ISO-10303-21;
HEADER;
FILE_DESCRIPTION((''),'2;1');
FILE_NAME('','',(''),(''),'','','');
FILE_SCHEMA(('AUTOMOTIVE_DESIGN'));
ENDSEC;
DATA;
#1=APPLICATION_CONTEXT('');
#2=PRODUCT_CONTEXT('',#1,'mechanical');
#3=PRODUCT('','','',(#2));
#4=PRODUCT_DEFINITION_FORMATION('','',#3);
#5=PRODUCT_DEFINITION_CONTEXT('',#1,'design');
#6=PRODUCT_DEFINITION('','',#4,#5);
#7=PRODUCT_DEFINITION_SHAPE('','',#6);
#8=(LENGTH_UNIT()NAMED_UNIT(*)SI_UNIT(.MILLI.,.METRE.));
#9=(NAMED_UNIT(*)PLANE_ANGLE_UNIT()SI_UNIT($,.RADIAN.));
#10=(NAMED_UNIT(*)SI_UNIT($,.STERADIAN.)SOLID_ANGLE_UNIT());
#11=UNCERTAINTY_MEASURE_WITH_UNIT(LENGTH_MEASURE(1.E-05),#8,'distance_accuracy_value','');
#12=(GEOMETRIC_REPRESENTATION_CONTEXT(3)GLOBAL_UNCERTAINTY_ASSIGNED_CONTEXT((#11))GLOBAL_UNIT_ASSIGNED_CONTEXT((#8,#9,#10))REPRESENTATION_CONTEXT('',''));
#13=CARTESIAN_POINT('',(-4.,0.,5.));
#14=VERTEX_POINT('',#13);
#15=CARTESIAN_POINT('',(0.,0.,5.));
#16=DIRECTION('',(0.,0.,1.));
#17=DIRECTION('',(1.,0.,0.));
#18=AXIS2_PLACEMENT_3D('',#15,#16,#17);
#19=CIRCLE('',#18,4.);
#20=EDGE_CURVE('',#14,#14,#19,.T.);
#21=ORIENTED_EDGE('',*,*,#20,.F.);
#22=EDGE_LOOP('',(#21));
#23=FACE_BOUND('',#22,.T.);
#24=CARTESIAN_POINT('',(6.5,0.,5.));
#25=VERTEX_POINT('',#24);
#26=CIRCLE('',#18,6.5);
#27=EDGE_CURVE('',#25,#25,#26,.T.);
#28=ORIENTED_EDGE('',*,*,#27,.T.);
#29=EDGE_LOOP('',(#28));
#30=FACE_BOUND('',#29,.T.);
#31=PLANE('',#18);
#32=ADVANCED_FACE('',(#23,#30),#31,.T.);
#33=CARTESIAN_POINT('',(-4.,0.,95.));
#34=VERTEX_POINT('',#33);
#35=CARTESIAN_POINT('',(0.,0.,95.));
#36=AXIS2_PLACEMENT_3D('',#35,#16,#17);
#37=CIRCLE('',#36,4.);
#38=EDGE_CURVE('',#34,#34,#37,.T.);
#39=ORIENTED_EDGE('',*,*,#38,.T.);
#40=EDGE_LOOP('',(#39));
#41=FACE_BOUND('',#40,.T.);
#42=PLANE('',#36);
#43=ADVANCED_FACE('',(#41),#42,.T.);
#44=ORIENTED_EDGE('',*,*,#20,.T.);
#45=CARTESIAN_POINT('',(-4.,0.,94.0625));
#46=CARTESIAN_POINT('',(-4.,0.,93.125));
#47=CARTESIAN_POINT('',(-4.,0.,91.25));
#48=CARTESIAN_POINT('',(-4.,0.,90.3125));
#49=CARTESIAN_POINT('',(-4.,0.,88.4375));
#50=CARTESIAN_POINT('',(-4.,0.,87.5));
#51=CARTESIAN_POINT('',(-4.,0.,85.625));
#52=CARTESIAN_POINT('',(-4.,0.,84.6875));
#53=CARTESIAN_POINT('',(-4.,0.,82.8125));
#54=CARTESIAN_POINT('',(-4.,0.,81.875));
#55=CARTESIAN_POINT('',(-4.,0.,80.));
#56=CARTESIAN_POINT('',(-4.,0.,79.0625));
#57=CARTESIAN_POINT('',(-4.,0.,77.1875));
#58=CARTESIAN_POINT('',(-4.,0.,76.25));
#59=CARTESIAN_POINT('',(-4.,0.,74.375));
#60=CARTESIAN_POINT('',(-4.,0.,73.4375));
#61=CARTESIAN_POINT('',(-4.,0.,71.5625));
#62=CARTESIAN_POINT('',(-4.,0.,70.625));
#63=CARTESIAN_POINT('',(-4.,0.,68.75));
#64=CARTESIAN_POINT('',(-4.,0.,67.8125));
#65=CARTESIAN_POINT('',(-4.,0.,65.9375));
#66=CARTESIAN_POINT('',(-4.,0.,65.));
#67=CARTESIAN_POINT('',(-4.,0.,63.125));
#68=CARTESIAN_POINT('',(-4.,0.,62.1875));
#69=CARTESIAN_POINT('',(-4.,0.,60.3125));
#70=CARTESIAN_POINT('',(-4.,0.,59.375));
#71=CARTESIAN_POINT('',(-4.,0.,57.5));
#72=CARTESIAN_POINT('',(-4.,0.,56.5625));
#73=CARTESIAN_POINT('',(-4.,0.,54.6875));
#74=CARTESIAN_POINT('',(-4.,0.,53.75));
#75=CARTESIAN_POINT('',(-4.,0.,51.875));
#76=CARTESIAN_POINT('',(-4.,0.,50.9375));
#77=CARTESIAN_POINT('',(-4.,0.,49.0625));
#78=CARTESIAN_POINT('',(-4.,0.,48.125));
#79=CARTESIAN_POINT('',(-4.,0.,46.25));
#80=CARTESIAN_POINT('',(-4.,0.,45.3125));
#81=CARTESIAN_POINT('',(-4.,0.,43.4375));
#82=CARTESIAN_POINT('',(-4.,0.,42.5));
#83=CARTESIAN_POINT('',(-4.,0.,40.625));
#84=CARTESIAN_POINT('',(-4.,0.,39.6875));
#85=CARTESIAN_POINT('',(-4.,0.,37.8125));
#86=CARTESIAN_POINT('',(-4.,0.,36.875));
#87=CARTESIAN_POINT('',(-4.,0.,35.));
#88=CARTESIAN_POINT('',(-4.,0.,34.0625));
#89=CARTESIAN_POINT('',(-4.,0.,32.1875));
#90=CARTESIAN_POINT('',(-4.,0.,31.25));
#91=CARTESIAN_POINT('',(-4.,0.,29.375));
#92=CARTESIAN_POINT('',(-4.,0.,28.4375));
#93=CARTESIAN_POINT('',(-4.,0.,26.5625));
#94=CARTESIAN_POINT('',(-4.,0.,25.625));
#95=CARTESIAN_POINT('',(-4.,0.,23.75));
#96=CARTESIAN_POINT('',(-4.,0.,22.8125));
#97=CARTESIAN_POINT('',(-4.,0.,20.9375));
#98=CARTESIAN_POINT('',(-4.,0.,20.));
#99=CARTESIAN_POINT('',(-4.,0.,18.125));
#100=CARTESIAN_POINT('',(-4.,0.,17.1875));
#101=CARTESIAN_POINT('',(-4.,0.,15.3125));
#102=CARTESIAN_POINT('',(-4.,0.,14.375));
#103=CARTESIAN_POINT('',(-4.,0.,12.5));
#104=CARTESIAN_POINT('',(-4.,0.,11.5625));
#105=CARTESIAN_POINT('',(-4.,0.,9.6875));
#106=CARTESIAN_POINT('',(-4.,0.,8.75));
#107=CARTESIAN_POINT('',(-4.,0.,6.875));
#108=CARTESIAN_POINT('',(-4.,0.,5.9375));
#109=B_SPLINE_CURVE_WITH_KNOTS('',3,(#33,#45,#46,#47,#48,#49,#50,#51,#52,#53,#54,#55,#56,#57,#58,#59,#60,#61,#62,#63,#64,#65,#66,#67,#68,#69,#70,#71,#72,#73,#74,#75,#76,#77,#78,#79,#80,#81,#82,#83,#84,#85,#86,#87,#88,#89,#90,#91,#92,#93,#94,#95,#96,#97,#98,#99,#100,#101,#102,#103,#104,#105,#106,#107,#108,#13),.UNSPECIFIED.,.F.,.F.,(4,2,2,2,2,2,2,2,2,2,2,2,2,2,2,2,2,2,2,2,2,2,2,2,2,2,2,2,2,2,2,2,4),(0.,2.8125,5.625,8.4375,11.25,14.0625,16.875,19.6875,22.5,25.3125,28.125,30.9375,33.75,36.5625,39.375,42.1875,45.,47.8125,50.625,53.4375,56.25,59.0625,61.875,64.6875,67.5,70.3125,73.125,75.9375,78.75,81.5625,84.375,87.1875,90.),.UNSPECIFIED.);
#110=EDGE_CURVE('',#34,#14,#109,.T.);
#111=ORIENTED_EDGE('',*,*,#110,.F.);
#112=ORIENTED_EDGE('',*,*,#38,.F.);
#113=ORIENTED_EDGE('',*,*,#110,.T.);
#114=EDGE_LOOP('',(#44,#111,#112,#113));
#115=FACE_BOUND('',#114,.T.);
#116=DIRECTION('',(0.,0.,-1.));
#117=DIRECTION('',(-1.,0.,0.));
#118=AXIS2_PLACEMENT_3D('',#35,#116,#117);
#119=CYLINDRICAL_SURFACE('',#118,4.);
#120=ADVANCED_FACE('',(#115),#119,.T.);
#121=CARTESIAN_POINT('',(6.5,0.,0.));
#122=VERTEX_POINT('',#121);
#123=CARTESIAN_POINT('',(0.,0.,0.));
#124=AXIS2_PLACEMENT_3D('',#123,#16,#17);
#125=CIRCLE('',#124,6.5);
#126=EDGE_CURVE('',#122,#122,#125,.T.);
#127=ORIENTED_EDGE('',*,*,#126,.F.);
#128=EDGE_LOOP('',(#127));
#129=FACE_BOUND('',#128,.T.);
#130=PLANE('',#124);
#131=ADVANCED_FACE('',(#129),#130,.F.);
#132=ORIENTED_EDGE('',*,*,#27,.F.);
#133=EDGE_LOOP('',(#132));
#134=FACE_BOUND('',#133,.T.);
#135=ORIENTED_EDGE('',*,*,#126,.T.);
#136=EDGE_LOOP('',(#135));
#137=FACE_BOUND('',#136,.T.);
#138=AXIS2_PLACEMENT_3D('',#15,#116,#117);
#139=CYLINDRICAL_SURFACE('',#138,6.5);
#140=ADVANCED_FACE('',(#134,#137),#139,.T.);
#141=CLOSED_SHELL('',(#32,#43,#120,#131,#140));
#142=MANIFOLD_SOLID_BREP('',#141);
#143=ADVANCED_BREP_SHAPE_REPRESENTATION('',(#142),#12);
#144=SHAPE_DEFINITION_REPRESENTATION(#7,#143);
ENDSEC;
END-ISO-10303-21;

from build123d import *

# Parameters (mm, degrees)
SKETCH_1_R      = 6.5
EXTRUDE_1_DEPTH = 5
SKETCH_2_R      = 4
EXTRUDE_2_DEPTH = 90


with BuildPart() as part:
    # 草图1 → 凸台-拉伸1 (new body)
    with BuildSketch(Plane.XY):
        Circle(SKETCH_1_R)
    extrude(amount=EXTRUDE_1_DEPTH)

    # 草图2 → 凸台-拉伸2 (add)
    with BuildSketch(Plane.XY.offset(5)):
        with Locations(Location((0, 0, 0), (0, 0, 180))):
            Circle(SKETCH_2_R)
    extrude(amount=EXTRUDE_2_DEPTH)


solid = part.part
